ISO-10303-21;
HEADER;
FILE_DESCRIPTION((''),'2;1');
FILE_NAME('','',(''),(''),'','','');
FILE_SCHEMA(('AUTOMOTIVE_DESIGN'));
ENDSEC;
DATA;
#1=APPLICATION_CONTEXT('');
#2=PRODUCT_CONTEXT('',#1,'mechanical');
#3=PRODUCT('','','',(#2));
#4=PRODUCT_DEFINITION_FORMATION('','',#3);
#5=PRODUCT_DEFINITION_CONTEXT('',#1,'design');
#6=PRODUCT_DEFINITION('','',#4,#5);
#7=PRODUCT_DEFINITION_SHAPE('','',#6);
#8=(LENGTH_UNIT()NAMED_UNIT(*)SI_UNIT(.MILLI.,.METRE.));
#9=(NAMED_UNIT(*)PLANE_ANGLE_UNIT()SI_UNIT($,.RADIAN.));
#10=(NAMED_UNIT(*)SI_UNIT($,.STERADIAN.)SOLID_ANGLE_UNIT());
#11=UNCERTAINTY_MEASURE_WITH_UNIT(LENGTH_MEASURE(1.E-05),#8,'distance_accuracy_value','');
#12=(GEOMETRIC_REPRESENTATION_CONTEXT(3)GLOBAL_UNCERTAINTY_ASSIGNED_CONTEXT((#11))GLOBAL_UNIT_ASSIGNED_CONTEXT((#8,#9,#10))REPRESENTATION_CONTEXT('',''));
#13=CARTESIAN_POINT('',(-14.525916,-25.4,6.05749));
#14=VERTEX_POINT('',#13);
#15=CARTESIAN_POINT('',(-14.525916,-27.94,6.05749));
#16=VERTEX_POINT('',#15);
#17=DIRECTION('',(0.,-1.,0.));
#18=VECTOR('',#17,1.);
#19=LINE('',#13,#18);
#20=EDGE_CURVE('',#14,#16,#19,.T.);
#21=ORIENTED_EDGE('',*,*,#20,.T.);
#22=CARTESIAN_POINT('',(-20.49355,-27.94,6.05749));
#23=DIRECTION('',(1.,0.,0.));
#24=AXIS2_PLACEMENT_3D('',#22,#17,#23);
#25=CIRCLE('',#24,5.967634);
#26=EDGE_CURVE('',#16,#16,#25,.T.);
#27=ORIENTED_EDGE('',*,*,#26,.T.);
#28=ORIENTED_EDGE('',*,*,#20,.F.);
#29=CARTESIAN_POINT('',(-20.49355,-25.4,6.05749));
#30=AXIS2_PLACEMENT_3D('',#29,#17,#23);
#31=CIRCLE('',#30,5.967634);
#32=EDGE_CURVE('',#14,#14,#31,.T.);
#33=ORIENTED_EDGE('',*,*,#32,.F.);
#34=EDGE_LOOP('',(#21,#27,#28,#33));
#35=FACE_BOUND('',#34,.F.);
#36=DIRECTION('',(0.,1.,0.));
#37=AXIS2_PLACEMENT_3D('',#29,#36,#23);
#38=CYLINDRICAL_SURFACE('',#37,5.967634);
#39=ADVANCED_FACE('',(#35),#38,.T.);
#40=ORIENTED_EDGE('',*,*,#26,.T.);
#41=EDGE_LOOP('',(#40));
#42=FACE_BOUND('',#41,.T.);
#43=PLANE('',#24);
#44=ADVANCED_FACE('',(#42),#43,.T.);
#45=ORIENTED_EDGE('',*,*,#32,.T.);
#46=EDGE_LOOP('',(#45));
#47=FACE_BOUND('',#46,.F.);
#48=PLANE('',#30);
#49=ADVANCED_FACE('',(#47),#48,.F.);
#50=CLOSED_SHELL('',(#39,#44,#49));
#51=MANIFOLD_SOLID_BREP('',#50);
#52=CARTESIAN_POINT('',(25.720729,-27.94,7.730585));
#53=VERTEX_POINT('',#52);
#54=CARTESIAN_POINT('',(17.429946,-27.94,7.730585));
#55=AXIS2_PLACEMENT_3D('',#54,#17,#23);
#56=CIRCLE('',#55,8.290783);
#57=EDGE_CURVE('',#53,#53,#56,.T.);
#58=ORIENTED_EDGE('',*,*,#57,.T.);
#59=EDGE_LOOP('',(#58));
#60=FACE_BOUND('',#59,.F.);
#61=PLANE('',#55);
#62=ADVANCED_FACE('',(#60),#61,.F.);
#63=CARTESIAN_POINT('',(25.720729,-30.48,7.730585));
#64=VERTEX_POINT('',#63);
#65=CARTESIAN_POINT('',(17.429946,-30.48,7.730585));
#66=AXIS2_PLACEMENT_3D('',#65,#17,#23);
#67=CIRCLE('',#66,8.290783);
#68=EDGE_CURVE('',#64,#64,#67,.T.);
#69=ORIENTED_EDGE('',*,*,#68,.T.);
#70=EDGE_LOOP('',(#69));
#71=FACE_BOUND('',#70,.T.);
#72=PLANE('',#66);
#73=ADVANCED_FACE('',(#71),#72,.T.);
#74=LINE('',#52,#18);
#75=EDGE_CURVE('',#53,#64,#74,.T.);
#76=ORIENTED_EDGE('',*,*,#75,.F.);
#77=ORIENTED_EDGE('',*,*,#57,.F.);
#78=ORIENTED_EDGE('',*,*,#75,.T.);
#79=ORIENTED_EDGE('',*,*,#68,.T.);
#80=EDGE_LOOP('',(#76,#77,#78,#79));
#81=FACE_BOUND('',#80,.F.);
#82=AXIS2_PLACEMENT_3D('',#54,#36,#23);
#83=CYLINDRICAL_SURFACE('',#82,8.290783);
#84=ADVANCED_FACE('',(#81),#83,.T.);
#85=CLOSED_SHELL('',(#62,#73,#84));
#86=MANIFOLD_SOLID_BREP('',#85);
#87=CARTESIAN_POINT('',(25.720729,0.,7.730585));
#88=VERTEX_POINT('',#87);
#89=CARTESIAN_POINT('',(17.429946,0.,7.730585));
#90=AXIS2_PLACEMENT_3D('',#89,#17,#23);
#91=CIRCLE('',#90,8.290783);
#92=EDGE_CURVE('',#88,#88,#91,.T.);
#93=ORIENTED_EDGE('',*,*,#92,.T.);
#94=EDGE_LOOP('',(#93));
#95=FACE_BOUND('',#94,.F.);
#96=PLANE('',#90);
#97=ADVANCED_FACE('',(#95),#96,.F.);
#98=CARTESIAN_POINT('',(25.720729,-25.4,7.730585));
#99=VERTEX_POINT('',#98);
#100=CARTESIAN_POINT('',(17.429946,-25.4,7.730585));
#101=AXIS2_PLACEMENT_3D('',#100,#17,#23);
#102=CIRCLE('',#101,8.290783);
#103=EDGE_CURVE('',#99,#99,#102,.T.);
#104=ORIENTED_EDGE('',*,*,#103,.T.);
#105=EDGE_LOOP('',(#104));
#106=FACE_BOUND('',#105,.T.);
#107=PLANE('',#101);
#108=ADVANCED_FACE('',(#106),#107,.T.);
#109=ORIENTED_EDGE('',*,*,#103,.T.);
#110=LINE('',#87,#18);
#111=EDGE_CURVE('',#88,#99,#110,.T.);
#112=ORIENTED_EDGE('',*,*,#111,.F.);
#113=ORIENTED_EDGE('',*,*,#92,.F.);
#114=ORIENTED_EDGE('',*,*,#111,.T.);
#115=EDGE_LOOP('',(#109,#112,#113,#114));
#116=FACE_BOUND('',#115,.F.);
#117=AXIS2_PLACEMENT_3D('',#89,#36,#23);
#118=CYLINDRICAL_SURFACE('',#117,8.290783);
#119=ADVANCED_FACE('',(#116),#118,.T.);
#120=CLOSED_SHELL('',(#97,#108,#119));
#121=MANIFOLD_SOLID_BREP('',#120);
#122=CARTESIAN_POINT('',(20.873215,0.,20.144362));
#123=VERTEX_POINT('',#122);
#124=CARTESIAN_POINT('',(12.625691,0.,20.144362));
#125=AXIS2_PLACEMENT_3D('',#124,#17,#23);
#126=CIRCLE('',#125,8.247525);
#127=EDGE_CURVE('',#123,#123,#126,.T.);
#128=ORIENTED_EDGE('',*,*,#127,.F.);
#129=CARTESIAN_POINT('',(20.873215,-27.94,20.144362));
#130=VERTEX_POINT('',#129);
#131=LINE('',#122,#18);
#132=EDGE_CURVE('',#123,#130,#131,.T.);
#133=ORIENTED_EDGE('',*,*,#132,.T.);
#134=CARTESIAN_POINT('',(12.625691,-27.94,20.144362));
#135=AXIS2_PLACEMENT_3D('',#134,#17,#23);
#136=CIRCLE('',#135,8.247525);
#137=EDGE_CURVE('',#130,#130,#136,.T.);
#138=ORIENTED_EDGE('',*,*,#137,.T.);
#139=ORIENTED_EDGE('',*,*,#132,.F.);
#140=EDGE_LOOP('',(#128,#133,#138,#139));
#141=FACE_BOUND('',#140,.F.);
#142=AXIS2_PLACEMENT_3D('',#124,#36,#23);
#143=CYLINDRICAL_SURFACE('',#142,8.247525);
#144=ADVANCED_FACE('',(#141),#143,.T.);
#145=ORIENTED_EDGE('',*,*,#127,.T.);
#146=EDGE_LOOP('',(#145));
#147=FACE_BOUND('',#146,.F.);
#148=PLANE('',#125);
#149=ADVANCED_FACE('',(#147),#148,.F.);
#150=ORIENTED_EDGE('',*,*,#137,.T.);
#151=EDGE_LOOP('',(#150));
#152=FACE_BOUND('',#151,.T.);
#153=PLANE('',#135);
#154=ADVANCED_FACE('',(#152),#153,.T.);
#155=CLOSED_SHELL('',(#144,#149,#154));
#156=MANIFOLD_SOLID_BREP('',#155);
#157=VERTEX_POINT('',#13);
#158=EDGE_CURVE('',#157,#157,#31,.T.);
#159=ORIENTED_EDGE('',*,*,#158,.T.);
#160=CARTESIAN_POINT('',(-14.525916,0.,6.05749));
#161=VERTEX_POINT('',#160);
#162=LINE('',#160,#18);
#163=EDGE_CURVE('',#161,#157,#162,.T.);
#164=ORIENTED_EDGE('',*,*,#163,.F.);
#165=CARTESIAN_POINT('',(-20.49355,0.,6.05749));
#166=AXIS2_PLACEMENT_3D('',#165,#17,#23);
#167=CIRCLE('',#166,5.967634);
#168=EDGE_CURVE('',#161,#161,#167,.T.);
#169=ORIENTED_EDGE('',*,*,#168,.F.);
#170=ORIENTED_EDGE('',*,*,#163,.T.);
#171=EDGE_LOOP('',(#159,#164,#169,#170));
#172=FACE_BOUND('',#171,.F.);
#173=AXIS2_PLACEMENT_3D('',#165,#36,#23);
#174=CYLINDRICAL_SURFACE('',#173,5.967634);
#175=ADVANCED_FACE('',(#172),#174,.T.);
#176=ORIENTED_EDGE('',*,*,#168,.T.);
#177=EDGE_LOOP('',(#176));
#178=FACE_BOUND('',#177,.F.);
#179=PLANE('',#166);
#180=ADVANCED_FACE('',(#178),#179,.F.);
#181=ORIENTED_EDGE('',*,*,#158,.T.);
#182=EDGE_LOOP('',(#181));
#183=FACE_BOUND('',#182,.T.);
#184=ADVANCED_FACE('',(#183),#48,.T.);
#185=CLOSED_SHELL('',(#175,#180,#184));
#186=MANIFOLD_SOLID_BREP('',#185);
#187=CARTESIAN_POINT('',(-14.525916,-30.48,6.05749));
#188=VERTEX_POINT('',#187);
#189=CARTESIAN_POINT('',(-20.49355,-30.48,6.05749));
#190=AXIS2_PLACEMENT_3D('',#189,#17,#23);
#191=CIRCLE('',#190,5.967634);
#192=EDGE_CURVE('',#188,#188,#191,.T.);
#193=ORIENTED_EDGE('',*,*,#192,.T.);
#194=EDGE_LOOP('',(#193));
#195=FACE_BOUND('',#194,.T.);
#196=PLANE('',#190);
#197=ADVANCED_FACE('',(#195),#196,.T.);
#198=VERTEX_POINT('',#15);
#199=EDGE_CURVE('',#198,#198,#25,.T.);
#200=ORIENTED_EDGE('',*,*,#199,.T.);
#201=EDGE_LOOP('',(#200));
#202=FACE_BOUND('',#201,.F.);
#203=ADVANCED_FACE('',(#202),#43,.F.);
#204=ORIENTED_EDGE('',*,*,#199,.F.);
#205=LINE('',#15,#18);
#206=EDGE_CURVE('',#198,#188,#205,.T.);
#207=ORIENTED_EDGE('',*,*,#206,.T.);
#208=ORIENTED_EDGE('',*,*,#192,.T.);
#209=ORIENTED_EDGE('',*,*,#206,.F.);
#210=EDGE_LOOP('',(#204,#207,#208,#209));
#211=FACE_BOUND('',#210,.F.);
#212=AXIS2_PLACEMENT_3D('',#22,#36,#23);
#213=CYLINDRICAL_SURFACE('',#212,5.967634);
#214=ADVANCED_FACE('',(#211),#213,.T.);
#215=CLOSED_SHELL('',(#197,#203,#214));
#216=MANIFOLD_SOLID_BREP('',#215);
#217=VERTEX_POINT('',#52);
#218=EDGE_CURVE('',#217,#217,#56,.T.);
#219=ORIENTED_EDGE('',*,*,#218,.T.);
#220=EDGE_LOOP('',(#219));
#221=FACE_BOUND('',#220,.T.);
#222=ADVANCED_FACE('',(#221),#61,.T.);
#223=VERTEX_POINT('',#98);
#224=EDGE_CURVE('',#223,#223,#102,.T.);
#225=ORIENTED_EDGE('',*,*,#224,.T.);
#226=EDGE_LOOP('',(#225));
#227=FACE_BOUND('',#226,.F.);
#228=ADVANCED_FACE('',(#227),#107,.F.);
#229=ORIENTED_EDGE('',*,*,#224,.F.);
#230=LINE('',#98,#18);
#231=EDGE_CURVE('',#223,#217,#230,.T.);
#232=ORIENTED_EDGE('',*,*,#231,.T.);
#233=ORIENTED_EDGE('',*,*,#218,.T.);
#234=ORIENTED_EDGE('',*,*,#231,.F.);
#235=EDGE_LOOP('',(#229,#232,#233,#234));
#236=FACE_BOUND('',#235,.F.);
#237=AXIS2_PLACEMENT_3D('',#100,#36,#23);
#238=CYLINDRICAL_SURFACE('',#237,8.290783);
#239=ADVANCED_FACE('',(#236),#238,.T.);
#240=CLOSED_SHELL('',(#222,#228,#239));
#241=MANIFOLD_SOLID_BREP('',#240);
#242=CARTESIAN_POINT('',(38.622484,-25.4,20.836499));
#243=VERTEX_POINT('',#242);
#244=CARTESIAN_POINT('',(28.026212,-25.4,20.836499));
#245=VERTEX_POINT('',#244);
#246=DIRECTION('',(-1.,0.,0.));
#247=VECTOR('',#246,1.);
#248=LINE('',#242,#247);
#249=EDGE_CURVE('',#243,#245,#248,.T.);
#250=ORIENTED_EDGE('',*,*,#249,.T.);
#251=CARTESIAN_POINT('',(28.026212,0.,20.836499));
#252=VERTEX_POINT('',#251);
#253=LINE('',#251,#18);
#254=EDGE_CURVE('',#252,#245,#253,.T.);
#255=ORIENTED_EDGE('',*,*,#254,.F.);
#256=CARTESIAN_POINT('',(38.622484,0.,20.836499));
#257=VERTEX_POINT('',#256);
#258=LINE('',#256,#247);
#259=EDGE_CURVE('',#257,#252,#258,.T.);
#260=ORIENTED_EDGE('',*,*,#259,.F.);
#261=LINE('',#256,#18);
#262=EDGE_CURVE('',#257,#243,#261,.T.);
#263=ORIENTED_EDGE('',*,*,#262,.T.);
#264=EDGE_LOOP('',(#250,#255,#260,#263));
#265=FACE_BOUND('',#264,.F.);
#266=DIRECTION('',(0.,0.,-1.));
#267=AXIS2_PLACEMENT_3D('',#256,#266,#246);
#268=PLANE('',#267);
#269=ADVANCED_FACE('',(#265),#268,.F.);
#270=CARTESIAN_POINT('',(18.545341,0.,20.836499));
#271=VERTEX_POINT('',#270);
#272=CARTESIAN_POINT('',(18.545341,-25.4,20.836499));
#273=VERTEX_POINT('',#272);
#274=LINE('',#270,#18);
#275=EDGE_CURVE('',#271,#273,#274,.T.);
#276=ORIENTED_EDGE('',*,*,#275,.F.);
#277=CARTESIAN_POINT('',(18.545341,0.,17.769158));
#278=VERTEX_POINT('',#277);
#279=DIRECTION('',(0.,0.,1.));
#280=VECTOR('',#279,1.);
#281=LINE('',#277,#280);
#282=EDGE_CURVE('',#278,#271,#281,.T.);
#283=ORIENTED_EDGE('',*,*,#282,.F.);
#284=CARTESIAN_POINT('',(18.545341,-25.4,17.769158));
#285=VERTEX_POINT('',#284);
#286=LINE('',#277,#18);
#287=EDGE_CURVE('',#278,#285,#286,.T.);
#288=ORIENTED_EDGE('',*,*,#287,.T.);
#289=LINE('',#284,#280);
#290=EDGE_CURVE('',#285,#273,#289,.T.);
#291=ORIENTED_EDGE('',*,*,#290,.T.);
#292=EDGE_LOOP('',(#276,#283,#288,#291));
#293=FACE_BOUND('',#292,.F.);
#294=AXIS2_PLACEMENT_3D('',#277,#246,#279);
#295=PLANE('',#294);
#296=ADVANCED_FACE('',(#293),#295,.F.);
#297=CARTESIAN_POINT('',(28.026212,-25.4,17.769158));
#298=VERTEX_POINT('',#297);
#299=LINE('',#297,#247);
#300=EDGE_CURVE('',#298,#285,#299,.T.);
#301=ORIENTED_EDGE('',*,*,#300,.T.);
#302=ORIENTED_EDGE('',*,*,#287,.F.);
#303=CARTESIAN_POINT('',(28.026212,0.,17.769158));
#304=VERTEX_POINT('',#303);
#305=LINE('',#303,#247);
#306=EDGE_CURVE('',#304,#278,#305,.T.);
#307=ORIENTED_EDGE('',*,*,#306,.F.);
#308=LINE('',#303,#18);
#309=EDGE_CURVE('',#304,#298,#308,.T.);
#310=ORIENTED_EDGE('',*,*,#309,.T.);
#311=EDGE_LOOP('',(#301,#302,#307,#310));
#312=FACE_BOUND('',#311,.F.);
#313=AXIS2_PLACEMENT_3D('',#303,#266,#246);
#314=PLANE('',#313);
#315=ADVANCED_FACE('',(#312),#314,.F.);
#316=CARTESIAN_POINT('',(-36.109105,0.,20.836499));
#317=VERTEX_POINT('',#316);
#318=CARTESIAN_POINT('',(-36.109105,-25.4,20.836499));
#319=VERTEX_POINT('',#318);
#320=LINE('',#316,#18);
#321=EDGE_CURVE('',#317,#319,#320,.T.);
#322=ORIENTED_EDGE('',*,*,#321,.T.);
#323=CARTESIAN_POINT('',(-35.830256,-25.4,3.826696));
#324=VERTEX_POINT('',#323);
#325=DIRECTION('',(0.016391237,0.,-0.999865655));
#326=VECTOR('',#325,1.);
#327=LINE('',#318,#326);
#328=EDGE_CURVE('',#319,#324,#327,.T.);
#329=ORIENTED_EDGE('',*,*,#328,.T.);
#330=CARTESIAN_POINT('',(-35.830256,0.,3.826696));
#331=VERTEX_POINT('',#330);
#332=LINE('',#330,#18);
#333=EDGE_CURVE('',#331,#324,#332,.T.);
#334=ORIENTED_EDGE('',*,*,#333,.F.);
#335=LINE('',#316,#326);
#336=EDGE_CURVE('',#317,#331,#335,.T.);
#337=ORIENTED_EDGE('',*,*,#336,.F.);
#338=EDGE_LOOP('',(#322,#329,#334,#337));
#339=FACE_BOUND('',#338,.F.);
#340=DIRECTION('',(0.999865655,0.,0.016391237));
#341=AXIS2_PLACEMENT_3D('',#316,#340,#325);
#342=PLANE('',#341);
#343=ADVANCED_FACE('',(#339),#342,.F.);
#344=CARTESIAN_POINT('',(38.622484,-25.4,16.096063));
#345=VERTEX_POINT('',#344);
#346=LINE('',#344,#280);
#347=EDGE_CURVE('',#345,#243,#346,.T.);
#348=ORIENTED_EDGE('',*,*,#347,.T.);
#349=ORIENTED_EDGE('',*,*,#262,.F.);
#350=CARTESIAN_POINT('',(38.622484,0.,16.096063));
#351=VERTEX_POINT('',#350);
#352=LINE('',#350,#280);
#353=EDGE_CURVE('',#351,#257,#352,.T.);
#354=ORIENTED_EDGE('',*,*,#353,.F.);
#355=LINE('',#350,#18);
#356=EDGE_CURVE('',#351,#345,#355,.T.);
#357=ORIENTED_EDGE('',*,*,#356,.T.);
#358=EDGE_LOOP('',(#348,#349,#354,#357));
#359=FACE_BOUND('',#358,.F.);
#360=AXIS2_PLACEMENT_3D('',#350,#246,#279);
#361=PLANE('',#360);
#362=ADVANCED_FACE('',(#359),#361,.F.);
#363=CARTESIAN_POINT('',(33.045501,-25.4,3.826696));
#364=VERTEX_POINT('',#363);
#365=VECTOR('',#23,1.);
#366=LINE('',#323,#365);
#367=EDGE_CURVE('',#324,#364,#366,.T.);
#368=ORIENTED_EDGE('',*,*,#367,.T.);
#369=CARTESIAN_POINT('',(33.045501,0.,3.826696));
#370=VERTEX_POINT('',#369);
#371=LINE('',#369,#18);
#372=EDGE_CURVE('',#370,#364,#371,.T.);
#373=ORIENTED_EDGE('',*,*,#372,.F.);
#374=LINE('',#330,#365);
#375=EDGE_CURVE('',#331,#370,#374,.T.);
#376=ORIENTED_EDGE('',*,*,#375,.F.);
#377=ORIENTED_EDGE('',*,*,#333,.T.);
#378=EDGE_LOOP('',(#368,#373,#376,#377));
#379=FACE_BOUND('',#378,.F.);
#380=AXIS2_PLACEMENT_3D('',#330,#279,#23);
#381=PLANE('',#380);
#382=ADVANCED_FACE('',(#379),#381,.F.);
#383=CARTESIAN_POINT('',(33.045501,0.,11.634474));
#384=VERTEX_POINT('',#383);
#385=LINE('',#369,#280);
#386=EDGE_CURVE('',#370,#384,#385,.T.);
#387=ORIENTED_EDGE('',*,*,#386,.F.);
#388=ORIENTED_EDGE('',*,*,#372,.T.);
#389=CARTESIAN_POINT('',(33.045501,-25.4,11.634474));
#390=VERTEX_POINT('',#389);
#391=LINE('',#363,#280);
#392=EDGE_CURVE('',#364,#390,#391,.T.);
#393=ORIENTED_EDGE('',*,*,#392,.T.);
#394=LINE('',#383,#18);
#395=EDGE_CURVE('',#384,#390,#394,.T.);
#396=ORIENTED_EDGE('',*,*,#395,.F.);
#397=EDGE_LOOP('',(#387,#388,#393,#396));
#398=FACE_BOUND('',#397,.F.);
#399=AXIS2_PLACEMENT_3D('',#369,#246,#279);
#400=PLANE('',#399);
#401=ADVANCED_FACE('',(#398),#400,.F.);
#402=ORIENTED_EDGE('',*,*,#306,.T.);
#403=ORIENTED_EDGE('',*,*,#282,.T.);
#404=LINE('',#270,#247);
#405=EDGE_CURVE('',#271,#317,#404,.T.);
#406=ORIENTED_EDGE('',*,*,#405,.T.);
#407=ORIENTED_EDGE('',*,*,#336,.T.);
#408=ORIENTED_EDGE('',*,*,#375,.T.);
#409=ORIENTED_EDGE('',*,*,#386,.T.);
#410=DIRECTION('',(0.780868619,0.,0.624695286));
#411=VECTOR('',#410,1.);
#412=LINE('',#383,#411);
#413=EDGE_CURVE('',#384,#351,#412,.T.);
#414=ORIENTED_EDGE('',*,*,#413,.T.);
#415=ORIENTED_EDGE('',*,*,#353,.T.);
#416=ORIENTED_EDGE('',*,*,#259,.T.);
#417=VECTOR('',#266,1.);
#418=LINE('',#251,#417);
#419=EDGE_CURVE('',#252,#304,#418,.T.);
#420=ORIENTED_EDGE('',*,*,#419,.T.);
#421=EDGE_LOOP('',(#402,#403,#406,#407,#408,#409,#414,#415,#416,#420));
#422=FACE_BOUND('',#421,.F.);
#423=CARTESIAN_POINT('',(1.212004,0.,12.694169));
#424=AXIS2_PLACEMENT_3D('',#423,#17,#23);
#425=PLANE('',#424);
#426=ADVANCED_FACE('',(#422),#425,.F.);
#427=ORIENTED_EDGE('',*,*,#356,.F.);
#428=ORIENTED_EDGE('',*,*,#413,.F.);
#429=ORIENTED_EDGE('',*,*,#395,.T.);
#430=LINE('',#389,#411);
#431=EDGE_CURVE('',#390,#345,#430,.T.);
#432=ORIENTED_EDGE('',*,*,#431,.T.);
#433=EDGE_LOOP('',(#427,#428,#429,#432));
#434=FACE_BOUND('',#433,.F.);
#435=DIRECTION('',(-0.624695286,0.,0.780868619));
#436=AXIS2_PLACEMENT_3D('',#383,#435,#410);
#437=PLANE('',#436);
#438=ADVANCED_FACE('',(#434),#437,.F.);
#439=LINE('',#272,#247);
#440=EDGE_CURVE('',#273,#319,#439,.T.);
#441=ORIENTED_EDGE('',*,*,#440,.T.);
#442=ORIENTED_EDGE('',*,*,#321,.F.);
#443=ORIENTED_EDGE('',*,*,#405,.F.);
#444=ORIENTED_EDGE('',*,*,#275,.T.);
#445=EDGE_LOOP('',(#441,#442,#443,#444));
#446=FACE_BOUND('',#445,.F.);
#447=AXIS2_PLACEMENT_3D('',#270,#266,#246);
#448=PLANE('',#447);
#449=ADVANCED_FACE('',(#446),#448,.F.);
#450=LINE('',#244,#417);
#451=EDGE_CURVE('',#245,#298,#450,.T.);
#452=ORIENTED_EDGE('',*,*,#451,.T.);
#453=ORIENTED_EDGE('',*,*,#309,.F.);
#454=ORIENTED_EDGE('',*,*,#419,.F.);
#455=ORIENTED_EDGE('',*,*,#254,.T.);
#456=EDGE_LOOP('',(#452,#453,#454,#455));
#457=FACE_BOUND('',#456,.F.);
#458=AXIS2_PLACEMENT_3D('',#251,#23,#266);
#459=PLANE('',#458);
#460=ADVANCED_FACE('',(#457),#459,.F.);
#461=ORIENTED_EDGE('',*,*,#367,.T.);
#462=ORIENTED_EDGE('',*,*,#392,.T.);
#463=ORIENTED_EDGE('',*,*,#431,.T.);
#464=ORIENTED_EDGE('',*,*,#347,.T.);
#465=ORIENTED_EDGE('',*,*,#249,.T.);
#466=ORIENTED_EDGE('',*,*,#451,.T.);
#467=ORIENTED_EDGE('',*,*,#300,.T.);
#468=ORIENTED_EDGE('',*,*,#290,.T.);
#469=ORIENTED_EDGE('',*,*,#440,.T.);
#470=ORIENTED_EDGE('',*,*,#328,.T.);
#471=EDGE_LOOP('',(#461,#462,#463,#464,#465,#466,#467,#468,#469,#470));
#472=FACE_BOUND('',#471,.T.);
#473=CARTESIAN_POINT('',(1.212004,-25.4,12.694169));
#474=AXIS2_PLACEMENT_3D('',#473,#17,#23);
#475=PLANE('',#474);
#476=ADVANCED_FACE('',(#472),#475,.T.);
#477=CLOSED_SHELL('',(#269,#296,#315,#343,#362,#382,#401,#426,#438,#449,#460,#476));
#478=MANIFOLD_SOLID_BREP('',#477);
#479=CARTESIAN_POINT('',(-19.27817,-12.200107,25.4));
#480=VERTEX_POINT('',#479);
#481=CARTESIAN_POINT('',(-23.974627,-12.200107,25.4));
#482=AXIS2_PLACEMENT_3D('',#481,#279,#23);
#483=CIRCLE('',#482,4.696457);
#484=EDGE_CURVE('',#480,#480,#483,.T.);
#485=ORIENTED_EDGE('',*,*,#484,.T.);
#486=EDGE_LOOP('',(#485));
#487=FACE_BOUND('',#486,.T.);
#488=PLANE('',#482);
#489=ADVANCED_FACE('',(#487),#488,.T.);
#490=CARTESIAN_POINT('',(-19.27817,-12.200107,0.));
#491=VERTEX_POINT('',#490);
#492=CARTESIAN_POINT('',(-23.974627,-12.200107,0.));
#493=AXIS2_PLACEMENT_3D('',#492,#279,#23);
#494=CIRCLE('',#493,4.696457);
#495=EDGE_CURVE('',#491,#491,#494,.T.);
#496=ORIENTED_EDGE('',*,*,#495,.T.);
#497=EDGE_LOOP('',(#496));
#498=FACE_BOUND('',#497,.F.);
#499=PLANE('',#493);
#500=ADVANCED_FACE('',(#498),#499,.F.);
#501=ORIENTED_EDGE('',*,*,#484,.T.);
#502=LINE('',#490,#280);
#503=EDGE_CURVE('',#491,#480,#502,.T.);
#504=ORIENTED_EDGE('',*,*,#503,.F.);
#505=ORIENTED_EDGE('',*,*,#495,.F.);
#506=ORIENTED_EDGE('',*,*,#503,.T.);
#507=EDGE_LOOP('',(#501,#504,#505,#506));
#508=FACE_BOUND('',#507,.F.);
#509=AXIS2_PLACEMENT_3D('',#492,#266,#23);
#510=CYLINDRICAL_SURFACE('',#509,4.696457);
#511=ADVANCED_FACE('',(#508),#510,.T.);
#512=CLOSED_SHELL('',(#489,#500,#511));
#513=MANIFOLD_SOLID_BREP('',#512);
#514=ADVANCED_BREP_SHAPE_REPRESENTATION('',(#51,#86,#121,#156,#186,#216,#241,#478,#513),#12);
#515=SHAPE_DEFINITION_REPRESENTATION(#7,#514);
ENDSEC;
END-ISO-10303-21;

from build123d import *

# Parameters (mm, degrees)
F0_R     = 8.2907829743
F1_DEPTH = 25.4
F0_R_2   = 5.9676342743
F3_DEPTH = 25.4
F4_DEPTH = 2.54
F5_R     = 8.2475246833
F6_DEPTH = 27.94
F7_DEPTH = 2.54
F8_R     = 4.6964570027
F9_DEPTH = 25.4


with BuildPart() as f1:
    # F0 (on Front) → F1 (new body)
    with BuildSketch(Plane.XZ):
        with Locations((17.4299459904, 7.7305850573)):
            Circle(F0_R)
    extrude(amount=F1_DEPTH)


with BuildPart() as f1b:
    # F0 (on Front) → F1, piece 2 (new body)
    with BuildSketch(Plane.XZ):
        with Locations((-20.4935502261, 6.057490129)):
            Circle(F0_R_2)
    extrude(amount=F1_DEPTH)


with BuildPart() as f3:
    # F2 (on Front) → F3 (new body)
    with BuildSketch(Plane.XZ):
        Polygon((-36.1091047525, 20.8364985883), (-35.8302555978, 3.8266964257), (33.0455005169, 3.8266964257), (33.0455005169, 11.6344736889), (38.6224836111, 16.0960629582), (38.6224836111, 20.8364985883), (28.0262120068, 20.8364985883), (28.0262120068, 17.7691578865), (18.5453407466, 17.7691578865), (18.5453407466, 20.8364985883), align=None)
    extrude(amount=F3_DEPTH)


with BuildPart() as f4:
    # F4 (new): a face of the model
    f4_faces = [f1b.part.faces().sort_by_distance(p)[0] for p in [
        (-20.4935502261, -25.4, 6.057490129),
    ]]
    extrude(f4_faces, amount=F4_DEPTH)


with BuildPart() as f4b:
    # F4#2 (new): a face of the model
    f4_2_faces = [f1.part.faces().sort_by_distance(p)[0] for p in [
        (17.4299459904, -25.4, 7.7305850573),
    ]]
    extrude(f4_2_faces, amount=F4_DEPTH)


with BuildPart() as f6:
    # F5 (on Front) → F6 (new body)
    with BuildSketch(Plane.XZ):
        with Locations((12.6256905496, 20.1443620026)):
            Circle(F5_R)
    extrude(amount=F6_DEPTH)


with BuildPart() as f7:
    # F7 (new): a face of the model
    f7_faces = [f4.part.faces().sort_by_distance(p)[0] for p in [
        (-20.4935502261, -27.94, 6.057490129),
    ]]
    extrude(f7_faces, amount=F7_DEPTH)


with BuildPart() as f7b:
    # F7#2 (new): a face of the model
    f7_2_faces = [f4b.part.faces().sort_by_distance(p)[0] for p in [
        (17.4299459904, -27.94, 7.7305850573),
    ]]
    extrude(f7_2_faces, amount=F7_DEPTH)


with BuildPart() as f9:
    # F8 (on Top) → F9 (new body)
    with BuildSketch(Plane.XY):
        with Locations((-23.9746272564, -12.2001068667)):
            Circle(F8_R)
    extrude(amount=F9_DEPTH)


solid = Compound([f1.part, f1b.part, f3.part, f4.part, f4b.part, f6.part, f7.part, f7b.part, f9.part])
